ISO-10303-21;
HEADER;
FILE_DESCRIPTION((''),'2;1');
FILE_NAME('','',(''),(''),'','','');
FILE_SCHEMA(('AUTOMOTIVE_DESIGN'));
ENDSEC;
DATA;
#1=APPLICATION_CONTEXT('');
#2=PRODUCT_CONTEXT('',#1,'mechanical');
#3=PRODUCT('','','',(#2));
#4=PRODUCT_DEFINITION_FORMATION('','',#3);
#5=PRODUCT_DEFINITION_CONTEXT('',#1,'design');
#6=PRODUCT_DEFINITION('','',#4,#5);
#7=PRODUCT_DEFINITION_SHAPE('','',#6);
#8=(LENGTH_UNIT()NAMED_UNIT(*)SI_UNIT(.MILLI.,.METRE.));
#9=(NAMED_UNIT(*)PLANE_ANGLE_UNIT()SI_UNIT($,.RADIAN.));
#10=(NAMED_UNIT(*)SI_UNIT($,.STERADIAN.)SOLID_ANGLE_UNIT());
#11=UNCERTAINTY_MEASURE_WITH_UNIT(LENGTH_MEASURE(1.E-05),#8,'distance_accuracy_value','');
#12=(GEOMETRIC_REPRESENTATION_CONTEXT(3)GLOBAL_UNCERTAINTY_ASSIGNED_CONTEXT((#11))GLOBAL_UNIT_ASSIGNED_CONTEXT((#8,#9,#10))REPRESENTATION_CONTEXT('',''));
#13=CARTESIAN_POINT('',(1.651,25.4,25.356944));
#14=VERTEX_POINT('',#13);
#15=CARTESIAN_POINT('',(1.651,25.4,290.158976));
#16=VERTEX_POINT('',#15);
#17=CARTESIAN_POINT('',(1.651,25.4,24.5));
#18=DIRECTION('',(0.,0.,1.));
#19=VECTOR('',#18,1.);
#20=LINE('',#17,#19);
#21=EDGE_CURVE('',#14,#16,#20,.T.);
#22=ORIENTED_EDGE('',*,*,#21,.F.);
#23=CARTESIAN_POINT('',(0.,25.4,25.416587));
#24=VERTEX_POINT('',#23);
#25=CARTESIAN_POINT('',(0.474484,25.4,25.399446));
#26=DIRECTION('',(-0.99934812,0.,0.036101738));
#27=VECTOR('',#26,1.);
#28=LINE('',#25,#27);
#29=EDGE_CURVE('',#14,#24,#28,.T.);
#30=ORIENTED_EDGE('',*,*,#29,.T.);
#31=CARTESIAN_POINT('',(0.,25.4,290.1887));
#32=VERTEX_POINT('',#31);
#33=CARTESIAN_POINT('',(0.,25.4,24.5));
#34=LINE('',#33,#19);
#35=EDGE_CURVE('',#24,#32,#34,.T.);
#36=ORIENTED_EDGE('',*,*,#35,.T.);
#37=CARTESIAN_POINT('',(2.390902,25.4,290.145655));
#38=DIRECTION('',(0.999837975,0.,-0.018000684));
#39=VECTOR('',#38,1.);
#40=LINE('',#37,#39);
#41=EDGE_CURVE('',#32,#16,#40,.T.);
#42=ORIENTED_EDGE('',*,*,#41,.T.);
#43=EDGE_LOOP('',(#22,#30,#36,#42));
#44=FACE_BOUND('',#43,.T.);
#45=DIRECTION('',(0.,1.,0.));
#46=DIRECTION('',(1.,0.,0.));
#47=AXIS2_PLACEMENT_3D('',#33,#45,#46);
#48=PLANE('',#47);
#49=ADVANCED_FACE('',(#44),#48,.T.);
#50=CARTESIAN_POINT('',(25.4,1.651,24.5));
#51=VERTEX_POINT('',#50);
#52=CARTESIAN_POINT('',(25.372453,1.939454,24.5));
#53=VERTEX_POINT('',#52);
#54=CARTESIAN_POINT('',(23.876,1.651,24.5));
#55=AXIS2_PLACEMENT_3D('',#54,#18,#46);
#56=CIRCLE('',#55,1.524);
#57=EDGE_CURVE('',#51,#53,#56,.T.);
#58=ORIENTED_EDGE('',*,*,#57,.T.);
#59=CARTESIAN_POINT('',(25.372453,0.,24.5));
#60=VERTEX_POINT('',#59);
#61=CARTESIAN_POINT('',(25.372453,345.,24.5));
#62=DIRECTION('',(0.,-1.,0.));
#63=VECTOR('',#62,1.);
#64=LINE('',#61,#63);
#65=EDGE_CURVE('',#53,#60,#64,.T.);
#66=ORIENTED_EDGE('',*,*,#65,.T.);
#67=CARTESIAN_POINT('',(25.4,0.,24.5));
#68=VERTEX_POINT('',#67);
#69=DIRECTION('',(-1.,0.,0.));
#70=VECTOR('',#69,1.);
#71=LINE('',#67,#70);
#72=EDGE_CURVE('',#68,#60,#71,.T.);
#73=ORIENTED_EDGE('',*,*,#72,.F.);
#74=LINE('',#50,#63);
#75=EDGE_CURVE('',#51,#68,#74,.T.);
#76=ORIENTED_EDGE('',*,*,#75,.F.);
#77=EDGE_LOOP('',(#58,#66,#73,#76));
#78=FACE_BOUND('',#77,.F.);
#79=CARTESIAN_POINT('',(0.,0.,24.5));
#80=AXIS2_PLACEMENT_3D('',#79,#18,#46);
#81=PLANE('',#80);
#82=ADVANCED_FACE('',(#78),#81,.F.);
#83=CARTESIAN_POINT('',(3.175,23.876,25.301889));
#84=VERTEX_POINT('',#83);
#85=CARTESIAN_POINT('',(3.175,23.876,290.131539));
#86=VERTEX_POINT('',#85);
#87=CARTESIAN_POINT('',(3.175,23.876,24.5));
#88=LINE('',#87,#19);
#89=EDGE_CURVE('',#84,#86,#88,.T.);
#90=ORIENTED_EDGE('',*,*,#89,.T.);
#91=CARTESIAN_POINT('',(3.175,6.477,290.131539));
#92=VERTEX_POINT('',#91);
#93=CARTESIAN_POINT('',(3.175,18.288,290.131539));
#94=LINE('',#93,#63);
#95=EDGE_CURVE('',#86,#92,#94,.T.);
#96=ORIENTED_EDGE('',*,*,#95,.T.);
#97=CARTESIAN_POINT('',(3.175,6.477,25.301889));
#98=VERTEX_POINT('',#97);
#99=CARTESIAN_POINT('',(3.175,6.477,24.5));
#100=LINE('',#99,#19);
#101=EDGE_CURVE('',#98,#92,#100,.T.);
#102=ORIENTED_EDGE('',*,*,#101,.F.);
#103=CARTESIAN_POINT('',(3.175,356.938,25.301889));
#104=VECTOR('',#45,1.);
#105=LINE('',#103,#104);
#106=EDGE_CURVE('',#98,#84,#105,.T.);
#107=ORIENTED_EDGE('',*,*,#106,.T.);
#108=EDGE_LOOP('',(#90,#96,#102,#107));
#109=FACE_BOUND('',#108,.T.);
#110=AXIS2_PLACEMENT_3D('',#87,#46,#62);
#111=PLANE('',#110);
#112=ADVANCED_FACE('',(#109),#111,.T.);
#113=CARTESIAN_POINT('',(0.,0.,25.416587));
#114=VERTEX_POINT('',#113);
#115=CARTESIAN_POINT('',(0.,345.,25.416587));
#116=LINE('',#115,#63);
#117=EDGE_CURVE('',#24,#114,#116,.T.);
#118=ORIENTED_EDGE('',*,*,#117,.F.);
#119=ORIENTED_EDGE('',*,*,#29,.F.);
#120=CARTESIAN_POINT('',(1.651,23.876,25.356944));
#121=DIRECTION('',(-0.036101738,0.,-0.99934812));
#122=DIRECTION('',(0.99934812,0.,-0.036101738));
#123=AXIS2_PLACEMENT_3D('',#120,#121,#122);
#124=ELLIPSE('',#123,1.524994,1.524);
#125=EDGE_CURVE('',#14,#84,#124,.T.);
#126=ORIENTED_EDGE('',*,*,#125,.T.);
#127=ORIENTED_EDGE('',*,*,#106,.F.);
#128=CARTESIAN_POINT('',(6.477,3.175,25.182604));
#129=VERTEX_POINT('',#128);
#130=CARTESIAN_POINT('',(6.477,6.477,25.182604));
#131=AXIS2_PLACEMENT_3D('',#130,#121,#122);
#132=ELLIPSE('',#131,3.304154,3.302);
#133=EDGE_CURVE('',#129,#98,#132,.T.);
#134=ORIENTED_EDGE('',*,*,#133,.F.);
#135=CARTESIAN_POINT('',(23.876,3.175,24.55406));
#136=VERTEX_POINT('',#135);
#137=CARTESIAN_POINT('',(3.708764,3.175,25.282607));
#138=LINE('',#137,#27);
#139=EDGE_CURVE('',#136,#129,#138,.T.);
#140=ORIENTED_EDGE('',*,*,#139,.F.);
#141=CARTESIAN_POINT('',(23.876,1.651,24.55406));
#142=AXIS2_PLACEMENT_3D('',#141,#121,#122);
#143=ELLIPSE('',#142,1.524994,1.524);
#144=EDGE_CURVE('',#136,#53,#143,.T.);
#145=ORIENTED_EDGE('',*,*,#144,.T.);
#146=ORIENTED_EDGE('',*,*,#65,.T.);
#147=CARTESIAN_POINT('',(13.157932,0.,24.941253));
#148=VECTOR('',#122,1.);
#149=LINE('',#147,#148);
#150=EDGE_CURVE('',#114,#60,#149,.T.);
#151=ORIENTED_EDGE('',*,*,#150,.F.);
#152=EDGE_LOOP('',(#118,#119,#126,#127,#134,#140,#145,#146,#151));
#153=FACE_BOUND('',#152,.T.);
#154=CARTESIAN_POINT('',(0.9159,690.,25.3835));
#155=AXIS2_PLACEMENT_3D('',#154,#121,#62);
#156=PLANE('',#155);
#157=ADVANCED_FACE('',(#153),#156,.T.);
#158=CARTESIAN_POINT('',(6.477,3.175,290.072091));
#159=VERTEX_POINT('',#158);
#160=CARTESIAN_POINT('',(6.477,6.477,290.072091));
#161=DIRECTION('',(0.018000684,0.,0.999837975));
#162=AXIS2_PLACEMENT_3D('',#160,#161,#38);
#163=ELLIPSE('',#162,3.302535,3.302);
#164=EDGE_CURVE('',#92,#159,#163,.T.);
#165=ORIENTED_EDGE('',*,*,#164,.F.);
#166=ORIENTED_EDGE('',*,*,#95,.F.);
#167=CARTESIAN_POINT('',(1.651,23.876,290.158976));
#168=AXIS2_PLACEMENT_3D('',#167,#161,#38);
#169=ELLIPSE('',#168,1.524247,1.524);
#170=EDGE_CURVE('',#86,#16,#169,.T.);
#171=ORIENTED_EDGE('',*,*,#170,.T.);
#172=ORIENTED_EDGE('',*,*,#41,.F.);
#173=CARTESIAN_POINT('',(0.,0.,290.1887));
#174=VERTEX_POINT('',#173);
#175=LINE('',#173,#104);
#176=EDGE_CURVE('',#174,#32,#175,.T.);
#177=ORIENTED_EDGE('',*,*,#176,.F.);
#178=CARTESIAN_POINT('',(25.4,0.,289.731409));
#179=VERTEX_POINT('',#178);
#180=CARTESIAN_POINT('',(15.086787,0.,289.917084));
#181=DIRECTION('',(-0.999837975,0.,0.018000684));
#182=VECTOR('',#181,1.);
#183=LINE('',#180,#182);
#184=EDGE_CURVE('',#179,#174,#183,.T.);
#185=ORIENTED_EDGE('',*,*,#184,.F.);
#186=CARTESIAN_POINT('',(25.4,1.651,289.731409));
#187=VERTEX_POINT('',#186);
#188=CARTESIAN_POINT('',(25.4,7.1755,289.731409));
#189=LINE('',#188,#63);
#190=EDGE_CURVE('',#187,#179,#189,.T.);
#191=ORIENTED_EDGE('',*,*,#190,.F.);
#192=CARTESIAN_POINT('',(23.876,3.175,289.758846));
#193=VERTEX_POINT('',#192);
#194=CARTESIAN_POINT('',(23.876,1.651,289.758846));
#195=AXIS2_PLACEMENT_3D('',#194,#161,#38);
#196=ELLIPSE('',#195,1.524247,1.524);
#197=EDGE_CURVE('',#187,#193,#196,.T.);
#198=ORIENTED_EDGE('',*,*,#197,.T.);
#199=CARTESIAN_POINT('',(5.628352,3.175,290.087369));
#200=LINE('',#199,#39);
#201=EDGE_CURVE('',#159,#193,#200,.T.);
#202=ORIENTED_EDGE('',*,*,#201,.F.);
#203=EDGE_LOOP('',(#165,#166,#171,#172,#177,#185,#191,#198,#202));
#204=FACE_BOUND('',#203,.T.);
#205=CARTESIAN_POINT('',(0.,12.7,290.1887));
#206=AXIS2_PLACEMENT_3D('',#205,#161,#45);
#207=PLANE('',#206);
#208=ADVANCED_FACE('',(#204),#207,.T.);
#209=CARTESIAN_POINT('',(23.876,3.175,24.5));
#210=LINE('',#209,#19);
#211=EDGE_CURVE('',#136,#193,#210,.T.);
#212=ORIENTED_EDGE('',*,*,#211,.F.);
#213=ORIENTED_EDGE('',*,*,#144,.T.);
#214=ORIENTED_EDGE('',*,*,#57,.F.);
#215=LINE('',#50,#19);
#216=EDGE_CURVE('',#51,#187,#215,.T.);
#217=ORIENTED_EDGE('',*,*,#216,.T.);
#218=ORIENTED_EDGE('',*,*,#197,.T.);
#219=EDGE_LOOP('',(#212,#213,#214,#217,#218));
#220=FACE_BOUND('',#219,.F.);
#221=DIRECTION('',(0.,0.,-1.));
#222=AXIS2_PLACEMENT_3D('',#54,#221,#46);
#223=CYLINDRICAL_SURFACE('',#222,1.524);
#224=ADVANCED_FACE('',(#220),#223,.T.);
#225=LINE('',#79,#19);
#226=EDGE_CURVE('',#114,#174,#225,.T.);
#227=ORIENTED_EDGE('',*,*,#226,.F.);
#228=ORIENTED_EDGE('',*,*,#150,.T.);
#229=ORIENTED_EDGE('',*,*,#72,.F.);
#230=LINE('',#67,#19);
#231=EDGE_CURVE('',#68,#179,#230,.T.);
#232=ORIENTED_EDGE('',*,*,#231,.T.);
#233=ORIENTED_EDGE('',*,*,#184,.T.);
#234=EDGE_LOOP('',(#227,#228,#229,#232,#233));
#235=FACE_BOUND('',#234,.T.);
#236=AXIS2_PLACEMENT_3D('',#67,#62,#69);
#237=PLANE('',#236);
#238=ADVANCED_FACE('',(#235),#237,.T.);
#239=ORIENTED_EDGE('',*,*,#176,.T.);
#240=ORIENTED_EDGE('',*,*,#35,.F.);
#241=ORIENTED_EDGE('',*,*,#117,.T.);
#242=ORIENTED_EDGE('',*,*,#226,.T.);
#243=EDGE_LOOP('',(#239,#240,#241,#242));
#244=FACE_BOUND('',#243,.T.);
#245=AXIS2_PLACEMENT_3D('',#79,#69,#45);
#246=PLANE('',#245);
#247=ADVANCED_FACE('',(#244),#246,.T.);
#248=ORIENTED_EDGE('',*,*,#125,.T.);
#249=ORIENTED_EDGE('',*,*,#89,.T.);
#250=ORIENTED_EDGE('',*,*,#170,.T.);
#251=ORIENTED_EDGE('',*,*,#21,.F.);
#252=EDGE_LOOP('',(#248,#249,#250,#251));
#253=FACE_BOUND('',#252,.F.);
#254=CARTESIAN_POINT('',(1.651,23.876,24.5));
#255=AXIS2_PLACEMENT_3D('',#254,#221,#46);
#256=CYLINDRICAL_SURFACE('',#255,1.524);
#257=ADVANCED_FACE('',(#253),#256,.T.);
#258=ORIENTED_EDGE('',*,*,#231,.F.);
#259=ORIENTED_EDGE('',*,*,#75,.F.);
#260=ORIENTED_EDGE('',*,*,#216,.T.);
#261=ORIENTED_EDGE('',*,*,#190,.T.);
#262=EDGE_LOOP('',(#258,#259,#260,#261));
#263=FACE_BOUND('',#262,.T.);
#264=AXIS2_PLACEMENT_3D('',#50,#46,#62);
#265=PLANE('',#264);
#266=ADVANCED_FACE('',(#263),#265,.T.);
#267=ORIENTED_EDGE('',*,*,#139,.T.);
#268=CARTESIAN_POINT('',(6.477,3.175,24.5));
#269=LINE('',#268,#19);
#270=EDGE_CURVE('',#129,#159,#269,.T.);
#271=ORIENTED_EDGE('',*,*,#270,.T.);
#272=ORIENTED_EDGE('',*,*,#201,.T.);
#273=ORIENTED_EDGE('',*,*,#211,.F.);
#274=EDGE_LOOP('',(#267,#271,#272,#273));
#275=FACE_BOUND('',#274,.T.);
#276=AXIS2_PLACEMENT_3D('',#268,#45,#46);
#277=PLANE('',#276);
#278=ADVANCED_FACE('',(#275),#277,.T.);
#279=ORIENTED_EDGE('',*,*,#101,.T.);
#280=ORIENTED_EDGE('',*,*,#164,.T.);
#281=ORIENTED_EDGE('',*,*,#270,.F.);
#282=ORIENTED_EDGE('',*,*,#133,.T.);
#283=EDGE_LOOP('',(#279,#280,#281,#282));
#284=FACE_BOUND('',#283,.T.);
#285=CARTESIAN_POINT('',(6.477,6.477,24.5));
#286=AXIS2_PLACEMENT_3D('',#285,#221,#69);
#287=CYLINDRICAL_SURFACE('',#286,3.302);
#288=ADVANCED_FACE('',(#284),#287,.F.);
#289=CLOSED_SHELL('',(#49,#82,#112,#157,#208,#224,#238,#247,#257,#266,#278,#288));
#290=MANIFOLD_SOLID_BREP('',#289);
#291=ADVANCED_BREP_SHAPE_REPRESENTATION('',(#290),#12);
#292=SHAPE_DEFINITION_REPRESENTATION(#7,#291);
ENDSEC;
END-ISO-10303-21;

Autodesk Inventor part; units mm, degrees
ref_plane "Start Plane" through (0, 0, 24.5) normal (0, 0, 1) x (1, 0, 0)
ref_plane "End Plane" through (0, 0, 290.1887) normal (0, 0, 1) x (1, 0, 0)
sketch "Sketch" plane through (0, 0, 0) normal (0, 0, 1) x (1, 0, 0)
  line L0 (25.4, 0) -> (0, 0)
  line L1 (0, 0) -> (0, 25.4)
  line L2 (0, 25.4) -> (1.651, 25.4)
  line L3 (3.175, 23.876) -> (3.175, 6.477)
  line L4 (6.477, 3.175) -> (23.876, 3.175)
  line L5 (25.4, 1.651) -> (25.4, 0)
  line L6 (0, -11.0414) -> (0, 31.5385) construction
  line L7 (-11.0414, 0) -> (31.5385, 0) construction
  arc A0 (3.175, 6.477) -> (6.477, 3.175) centre (6.477, 6.477) ccw
  arc A1 (3.175, 23.876) -> (1.651, 25.4) centre (1.651, 23.876) ccw
  arc A2 (25.4, 1.651) -> (23.876, 3.175) centre (23.876, 1.651) ccw
  line L8 (0, 40.0545) -> (0, -19.5574) construction
  line L9 (-19.5574, 0) -> (40.0545, 0) construction
  point P0 (3.175, 25.4)
  point P1 (3.175, 3.175)
  point P2 (25.4, 3.175)
  dimension "d0" = 25.4
  dimension "d1" = 25.4
  dimension "d2" = 3.175
  dimension "d3" = 3.175
  dimension "d10" = 0
  dimension "d11" = 0
  dimension "d14" = 3.302
  dimension "d15" = 1.524
extrude "Body" add sketch "Sketch" along normal up to surface (265.6887 mm away) from surface at 24.5
sketch "Sketch3" plane through (0, 0, 0) normal (0, 0, 1) x (1, 0, 0)
  line L0 (0, 0) -> (10, 0)
ref_plane "Work Plane3" through (0, 0, 0) normal (0, -1, 0) x (1, 0, 0)
ref_plane "Work Plane4" through (0, 12.7, 290.1887) normal (0.018, 0, 0.9998) x (0.9998, 0, -0.018)
split "Split1" plane through (0, 12.7, 290.1887) removes the side toward (0.018, 0, 0.9998)
ref_plane "Work Plane9" through (0.9159, 690, 25.3835) normal (-0.0361, 0, -0.9993) x (-0.9993, 0, 0.0361)
split "Split3" plane through (0.9159, 690, 25.3835) removes the side toward (-0.0361, 0, -0.9993)
sketch "Sketch4" plane through (0, 0, 0) normal (0, -1, 0) x (1, 0, 0)
  line L0 (-2, 24.5) -> (12, 24.5) projected
  line L1 (-2, 290.1887) -> (12, 290.1887) projected
  dimension "d17" = 265.6887
equation "\"d0\" = G_H"
equation "\"d1\" = G_H"
equation "\"d2\" = G_T"
equation "\"d3\" = G_T"
equation "\"d14\" = G_IR"
equation "\"d15\" = G_ER"
equation "\"d4\" = G_L"
equation "\"G_H\" = 25.4"
equation "\"G_T\" = 3.175"
equation "\"G_ER\" = 1.524"
equation "\"G_IR\" = 3.302"
equation "\"G_L\" = 265.69027"
equation "\"ex\" = 0"
equation "\"G_OFFSET_START\" = -24.50003"
equation "\"G_OFFSET_END\" = 0"
equation "\"d12\" = -G_OFFSET_START"
equation "\"d13\" = G_OFFSET_END + B_L"
equation "\"B_L\" = 290.18872"
properties part number "AISC - L 1 x 1 x 1/8 - 10.46" material "Steel, Mild"
